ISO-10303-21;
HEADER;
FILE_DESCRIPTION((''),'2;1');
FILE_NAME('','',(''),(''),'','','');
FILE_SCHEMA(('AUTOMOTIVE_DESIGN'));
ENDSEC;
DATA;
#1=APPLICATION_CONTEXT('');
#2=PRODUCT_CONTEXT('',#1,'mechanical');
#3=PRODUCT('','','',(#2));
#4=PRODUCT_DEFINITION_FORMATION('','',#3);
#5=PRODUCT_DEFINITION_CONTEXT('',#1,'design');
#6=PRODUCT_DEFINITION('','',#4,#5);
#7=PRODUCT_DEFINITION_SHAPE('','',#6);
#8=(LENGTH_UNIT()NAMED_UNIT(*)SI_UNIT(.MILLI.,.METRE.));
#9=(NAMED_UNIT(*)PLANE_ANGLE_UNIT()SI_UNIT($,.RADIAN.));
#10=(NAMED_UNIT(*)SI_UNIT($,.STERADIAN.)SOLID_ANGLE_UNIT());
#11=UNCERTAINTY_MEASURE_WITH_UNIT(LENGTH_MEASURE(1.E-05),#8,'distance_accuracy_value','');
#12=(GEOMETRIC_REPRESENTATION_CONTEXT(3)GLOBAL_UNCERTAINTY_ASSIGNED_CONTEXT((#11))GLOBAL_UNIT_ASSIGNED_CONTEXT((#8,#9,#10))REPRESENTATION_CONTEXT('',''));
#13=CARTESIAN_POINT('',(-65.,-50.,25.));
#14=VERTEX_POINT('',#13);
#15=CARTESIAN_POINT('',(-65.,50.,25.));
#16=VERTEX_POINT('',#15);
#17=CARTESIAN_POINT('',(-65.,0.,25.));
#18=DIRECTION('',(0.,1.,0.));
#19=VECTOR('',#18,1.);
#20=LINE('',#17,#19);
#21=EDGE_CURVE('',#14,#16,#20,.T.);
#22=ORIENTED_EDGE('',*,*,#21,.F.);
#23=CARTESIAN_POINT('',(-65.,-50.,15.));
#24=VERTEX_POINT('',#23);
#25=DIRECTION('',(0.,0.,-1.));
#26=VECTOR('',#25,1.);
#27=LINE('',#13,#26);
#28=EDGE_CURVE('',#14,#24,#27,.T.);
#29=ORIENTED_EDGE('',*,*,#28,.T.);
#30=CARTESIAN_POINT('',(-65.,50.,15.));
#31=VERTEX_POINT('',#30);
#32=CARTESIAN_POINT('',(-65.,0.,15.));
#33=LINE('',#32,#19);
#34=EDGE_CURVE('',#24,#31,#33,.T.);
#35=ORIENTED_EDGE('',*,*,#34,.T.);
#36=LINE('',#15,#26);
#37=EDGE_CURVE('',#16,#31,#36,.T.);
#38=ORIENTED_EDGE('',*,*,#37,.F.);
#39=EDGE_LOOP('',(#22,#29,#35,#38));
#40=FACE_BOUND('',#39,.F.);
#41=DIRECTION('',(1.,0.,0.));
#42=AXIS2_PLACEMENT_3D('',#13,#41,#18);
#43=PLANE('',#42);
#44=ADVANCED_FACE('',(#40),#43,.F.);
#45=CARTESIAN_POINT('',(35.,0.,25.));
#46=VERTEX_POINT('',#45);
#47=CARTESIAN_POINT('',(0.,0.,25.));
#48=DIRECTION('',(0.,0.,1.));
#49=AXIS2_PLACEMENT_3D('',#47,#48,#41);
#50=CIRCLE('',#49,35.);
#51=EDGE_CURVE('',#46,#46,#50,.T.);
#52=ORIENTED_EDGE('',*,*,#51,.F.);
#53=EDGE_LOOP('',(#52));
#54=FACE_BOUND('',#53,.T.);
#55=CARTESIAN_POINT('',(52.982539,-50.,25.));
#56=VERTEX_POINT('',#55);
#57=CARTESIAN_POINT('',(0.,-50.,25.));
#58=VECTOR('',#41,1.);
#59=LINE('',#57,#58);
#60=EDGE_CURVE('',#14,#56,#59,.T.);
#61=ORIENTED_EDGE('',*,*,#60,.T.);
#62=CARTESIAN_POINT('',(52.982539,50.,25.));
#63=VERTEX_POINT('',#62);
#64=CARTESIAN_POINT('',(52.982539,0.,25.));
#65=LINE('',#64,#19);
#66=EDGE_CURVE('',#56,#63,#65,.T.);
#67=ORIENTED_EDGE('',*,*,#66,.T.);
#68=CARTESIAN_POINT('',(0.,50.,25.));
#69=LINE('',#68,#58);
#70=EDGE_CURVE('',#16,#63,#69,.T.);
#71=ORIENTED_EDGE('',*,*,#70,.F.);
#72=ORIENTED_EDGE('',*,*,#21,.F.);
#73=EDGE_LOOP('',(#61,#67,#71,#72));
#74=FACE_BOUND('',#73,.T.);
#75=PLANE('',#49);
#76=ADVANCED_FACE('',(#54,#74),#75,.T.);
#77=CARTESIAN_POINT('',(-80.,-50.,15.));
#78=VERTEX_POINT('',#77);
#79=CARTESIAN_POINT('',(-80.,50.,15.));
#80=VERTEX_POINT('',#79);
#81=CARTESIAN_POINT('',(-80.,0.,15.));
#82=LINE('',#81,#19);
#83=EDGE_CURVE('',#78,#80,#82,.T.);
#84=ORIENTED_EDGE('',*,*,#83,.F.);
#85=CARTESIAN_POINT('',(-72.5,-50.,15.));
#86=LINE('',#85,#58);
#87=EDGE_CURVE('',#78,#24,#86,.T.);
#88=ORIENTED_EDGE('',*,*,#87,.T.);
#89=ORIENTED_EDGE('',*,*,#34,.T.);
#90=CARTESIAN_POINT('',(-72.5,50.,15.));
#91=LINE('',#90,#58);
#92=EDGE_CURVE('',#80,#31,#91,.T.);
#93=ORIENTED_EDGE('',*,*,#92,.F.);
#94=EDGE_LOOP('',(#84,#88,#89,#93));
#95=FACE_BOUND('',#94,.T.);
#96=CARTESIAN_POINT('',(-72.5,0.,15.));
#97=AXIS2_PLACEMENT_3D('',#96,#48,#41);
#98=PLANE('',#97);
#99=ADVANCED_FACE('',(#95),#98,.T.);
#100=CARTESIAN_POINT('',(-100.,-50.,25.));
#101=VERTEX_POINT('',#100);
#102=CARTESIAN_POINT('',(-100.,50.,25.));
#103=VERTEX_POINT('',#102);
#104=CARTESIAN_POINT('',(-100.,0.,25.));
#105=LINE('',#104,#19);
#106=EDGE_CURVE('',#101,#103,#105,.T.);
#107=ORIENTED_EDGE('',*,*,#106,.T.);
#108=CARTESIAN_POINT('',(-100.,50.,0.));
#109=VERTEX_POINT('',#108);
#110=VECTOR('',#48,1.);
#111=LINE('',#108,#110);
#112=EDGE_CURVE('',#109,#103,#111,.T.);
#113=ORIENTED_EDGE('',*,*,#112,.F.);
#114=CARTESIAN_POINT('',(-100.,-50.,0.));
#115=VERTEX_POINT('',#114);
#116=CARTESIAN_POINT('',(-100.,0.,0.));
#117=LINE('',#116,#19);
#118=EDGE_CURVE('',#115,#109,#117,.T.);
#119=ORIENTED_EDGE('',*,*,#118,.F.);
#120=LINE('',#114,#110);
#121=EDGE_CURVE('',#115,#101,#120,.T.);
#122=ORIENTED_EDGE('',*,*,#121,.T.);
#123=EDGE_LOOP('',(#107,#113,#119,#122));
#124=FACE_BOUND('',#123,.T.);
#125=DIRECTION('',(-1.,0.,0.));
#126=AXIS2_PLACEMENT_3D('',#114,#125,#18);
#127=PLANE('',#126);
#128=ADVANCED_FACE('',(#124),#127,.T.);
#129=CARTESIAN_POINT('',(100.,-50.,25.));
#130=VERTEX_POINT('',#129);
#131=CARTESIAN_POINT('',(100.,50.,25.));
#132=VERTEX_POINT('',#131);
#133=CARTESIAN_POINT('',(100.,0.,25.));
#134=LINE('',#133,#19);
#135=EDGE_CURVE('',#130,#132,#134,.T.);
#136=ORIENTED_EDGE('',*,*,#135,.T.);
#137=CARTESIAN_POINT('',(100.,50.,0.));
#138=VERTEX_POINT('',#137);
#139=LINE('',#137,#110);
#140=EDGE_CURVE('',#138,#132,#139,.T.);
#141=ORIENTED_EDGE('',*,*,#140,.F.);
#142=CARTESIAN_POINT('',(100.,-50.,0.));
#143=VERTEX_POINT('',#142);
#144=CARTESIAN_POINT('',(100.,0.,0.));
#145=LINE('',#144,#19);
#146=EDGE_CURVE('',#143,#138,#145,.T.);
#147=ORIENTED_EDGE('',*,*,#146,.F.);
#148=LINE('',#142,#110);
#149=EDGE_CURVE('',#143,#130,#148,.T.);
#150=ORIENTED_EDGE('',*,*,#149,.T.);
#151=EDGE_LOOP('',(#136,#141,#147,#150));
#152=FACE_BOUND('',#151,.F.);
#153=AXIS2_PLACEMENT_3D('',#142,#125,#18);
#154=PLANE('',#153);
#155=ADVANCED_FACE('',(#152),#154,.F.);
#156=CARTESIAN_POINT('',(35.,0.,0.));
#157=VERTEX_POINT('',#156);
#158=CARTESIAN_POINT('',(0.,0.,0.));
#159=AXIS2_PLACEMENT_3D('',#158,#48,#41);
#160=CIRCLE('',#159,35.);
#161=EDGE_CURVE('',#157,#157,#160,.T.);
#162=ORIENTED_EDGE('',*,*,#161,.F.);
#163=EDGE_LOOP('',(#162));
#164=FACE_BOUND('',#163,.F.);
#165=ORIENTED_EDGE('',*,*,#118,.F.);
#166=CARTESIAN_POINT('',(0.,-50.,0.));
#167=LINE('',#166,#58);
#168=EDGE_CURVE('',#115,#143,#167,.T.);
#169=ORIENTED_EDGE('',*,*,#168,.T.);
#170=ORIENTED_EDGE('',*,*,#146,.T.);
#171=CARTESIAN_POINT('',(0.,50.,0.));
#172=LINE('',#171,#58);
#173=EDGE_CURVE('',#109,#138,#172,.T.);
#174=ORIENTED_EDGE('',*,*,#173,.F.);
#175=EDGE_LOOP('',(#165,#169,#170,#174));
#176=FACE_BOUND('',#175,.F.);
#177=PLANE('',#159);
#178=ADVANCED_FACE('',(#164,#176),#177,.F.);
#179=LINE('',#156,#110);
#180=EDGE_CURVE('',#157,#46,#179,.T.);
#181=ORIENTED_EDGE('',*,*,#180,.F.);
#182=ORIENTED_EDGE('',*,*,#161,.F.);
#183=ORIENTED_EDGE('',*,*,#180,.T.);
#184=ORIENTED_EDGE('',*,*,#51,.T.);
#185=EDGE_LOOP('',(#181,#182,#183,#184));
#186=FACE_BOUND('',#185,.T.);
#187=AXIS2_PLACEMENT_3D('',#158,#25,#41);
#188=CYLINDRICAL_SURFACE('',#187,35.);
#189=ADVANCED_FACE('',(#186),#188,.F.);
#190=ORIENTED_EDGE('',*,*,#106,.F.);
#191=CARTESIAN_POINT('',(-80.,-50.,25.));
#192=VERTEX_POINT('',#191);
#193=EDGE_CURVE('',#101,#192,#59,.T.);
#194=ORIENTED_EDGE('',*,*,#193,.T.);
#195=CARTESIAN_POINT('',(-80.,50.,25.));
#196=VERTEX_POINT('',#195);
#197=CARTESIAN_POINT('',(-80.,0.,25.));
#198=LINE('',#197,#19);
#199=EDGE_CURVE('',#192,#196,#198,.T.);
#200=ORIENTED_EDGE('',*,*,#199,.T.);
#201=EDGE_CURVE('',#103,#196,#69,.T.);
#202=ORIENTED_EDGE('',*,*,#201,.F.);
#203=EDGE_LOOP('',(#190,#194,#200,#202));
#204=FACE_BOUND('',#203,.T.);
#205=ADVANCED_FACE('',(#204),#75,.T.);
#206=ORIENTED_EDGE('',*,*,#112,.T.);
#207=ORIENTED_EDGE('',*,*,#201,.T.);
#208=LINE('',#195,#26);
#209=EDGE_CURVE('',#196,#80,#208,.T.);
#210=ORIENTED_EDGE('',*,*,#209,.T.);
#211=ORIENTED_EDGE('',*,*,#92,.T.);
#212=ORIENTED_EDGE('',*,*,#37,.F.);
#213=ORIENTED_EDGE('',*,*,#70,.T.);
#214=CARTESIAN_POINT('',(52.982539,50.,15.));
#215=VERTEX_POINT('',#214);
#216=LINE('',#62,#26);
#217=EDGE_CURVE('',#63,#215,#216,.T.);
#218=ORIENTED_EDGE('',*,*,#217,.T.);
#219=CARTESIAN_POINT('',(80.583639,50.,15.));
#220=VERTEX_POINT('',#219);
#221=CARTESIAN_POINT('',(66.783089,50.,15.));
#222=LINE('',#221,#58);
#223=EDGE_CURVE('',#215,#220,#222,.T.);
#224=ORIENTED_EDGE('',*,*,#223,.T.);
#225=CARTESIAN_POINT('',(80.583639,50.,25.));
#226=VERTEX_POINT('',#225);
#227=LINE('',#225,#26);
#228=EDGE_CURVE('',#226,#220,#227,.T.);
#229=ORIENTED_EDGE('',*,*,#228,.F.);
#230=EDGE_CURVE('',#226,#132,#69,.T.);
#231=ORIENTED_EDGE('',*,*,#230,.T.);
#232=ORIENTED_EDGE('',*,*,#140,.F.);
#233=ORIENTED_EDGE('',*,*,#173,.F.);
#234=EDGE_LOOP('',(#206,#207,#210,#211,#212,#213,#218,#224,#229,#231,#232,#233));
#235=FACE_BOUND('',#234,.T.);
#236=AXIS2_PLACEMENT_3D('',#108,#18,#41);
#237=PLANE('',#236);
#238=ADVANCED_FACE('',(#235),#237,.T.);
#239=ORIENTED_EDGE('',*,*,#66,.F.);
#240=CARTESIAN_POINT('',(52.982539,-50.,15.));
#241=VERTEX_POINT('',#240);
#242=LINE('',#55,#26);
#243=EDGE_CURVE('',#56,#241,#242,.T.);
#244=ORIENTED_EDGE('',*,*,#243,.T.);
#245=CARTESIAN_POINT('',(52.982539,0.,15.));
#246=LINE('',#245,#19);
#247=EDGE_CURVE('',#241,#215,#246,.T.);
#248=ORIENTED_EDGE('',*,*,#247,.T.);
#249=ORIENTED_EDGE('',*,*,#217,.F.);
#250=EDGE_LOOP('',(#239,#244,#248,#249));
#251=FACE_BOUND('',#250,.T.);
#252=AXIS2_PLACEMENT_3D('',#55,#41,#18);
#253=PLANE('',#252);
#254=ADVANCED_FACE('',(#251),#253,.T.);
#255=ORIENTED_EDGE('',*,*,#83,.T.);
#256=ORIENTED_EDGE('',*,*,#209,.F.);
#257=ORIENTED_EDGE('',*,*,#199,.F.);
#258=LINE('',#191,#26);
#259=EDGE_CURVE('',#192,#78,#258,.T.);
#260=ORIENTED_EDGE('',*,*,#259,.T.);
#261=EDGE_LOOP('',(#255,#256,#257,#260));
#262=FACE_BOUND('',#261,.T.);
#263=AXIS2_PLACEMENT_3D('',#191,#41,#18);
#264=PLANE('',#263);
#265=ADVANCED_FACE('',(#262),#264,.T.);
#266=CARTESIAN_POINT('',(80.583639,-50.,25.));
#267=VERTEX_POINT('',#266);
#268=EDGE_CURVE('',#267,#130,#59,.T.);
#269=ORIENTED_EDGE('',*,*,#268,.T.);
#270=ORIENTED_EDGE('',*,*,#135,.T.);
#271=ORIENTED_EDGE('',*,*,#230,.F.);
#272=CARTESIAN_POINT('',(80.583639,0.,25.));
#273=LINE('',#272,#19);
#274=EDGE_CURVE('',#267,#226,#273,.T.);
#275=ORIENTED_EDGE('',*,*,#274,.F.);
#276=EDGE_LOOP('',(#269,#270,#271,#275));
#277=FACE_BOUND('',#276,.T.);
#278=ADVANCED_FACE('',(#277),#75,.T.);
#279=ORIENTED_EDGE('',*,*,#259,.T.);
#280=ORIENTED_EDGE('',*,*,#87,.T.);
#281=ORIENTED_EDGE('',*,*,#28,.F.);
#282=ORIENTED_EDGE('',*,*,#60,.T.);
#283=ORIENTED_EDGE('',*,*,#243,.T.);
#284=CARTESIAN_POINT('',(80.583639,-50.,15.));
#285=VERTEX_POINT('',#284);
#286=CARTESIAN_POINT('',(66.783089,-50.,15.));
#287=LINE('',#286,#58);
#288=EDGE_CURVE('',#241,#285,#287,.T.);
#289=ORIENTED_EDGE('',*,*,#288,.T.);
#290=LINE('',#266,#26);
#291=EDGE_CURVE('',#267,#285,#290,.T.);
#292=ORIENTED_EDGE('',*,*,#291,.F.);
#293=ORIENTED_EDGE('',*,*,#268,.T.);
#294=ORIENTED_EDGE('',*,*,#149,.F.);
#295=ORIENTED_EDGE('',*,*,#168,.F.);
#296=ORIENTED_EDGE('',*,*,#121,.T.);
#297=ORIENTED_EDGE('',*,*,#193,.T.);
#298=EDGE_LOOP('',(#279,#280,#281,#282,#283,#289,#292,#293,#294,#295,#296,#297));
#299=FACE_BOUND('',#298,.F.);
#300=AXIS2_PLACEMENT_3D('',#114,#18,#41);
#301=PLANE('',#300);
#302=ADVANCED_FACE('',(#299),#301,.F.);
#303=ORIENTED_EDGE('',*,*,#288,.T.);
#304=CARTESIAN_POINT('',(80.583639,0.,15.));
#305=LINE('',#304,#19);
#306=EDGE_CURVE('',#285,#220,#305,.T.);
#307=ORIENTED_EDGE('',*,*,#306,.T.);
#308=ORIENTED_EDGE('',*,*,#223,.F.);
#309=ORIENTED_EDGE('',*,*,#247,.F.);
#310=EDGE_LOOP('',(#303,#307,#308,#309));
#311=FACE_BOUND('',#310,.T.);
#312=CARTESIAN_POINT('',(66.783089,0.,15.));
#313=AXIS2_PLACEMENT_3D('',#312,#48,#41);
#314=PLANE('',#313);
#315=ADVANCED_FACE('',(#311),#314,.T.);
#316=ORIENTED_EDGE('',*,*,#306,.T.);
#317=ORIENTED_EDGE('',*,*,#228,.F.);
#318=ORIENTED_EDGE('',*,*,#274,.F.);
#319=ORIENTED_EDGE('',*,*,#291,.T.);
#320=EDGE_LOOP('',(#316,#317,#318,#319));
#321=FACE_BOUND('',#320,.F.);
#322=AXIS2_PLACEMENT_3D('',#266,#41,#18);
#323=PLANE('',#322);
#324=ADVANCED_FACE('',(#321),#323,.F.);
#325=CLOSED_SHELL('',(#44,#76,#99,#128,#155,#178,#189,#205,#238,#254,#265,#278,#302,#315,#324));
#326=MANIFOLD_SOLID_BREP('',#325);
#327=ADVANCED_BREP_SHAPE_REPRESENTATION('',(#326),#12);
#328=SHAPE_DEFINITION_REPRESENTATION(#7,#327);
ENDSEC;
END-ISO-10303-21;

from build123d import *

# Parameters (mm, degrees)
F0_W     = 200
F0_H     = 100
F0_R     = 35
F1_DEPTH = 25
F2_W     = 15
F2_H     = 100
F3_DEPTH = 10
F4_W     = 27.6011
F4_H     = 100
F5_DEPTH = 10


with BuildPart() as f1:
    # F0 (on Top) → F1 (new body)
    with BuildSketch(Plane.XY):
        Rectangle(F0_W, F0_H)
        Circle(F0_R, mode=Mode.SUBTRACT)
    extrude(amount=F1_DEPTH)

    # F2 (on face) → F3 (cut)
    with BuildSketch(Plane.XY.offset(25)):
        with Locations((-72.5, 0)):
            Rectangle(F2_W, F2_H)
    extrude(amount=-F3_DEPTH, mode=Mode.SUBTRACT)

    # F4 (on face) → F5 (cut)
    with BuildSketch(Plane.XY.offset(25)):
        with Locations((66.783089, 0)):
            Rectangle(F4_W, F4_H)
    extrude(amount=-F5_DEPTH, mode=Mode.SUBTRACT)


solid = f1.part
